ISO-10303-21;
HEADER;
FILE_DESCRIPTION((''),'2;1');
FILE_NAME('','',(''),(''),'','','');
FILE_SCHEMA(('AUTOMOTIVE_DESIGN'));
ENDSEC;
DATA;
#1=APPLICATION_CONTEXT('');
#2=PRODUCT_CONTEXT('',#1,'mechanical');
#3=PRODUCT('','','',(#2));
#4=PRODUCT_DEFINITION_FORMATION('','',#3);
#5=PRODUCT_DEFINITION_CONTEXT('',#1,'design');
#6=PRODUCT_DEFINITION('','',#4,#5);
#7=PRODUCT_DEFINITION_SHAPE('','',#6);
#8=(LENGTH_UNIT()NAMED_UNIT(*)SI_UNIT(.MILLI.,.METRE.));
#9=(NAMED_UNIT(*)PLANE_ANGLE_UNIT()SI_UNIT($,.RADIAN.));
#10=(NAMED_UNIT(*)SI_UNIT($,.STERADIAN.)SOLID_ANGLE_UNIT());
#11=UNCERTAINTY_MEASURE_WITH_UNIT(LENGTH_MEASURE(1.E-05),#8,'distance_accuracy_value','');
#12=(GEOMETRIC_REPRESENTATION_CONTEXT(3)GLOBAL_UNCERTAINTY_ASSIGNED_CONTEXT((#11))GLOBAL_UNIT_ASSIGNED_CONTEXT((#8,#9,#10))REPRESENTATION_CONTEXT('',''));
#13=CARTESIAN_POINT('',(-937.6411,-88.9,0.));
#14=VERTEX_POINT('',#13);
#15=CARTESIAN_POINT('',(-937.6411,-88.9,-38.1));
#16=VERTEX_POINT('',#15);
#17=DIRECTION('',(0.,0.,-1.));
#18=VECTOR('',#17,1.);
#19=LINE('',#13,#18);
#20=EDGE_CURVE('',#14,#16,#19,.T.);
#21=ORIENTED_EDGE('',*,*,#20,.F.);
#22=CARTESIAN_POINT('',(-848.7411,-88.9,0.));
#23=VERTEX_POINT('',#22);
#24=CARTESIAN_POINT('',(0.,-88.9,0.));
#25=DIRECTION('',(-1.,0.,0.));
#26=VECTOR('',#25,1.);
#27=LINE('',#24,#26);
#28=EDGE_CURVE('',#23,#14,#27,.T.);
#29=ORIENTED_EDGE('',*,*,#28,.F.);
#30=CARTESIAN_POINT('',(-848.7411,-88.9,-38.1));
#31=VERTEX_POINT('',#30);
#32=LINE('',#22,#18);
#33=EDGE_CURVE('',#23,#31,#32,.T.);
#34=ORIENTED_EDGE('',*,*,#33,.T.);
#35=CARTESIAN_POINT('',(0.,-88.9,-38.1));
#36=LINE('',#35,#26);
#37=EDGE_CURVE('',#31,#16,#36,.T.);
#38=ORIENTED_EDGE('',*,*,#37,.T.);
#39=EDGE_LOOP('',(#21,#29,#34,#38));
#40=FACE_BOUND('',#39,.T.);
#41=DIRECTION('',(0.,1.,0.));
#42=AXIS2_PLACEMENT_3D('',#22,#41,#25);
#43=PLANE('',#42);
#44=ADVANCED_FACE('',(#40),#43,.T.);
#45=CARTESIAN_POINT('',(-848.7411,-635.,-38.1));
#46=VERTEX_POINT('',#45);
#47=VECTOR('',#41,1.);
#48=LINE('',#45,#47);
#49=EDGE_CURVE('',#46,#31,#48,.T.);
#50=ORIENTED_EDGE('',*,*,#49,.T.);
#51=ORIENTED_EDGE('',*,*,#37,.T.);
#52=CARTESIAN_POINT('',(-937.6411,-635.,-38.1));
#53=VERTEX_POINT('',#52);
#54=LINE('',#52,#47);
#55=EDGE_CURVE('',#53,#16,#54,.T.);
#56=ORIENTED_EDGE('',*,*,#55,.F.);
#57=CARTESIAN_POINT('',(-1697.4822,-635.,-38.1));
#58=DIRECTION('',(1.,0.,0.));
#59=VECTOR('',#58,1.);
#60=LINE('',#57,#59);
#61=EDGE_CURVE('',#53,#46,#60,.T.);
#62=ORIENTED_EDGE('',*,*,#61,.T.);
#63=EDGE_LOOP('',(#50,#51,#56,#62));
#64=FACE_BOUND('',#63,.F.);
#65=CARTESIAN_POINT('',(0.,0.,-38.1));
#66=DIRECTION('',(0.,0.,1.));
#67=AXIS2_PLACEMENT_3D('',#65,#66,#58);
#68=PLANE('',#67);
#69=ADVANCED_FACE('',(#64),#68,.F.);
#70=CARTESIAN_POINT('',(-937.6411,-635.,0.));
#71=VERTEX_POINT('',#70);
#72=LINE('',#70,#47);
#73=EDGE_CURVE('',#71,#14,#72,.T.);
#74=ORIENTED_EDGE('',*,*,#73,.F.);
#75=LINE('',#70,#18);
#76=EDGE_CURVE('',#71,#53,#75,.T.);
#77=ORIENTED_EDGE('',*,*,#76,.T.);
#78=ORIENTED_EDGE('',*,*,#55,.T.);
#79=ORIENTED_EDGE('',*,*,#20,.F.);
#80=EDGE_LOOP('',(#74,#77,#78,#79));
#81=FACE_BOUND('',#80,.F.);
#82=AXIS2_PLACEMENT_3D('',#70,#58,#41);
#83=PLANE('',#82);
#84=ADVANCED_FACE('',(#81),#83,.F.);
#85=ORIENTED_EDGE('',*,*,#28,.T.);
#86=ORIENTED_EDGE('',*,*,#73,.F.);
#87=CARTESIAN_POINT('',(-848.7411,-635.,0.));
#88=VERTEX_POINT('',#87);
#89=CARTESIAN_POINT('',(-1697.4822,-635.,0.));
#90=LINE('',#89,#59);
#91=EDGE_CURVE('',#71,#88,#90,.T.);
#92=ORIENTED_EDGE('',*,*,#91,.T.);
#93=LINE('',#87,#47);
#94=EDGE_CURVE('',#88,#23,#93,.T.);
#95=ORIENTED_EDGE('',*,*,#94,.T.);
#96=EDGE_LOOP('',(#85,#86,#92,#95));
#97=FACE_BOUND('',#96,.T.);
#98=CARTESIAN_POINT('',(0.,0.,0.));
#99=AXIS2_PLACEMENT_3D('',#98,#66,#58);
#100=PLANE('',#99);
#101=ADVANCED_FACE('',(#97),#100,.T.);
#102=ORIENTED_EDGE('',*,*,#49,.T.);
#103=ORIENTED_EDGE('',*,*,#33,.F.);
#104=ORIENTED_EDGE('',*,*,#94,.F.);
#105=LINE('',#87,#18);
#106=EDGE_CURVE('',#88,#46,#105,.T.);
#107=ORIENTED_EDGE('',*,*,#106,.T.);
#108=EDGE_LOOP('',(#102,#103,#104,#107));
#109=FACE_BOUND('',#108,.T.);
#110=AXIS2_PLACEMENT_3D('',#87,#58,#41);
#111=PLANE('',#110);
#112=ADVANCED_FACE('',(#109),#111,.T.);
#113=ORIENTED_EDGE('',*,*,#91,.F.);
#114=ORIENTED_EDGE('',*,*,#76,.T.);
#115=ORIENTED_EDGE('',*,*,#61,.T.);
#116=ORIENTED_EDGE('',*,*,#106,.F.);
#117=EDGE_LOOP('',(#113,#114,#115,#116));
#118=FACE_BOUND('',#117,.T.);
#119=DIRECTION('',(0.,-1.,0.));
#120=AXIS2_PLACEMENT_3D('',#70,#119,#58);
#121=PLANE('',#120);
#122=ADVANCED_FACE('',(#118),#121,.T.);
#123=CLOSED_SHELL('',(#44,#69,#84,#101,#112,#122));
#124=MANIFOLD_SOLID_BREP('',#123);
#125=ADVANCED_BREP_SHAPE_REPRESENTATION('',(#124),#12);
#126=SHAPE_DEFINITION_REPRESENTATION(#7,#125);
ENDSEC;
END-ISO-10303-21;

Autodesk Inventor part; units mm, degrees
ref_plane "YZ Plane" through (0, 0, 0) normal (1, 0, 0) x (0, 1, 0)
ref_plane "XZ Plane" through (0, 0, 0) normal (0, 1, 0) x (-1, 0, 0)
ref_plane "XY Plane" through (0, 0, 0) normal (0, 0, 1) x (1, 0, 0)
sketch "Sketch1" plane through (0, 0, 0) normal (0, 0, 1) x (1, 0, 0)
  line L0 (-848.7411, -635) -> (-437.8392, -635) projected
  line L1 (0, -88.9) -> (-1697.4822, -88.9) projected
  line L2 (-437.8392, -88.9) -> (-526.7392, -88.9)
  line L3 (-1697.4822, -635) -> (-848.7411, -635) projected
  line L4 (-848.7411, -635) -> (-848.7411, -88.9)
  line L5 (-937.6411, -635) -> (-937.6411, -88.9)
  point P0 (0, 0)
  dimension "d3" = 88.9
extrude "Extrusion1" add sketch "Sketch1" against normal blind 38.1
properties part number "side-slant"
